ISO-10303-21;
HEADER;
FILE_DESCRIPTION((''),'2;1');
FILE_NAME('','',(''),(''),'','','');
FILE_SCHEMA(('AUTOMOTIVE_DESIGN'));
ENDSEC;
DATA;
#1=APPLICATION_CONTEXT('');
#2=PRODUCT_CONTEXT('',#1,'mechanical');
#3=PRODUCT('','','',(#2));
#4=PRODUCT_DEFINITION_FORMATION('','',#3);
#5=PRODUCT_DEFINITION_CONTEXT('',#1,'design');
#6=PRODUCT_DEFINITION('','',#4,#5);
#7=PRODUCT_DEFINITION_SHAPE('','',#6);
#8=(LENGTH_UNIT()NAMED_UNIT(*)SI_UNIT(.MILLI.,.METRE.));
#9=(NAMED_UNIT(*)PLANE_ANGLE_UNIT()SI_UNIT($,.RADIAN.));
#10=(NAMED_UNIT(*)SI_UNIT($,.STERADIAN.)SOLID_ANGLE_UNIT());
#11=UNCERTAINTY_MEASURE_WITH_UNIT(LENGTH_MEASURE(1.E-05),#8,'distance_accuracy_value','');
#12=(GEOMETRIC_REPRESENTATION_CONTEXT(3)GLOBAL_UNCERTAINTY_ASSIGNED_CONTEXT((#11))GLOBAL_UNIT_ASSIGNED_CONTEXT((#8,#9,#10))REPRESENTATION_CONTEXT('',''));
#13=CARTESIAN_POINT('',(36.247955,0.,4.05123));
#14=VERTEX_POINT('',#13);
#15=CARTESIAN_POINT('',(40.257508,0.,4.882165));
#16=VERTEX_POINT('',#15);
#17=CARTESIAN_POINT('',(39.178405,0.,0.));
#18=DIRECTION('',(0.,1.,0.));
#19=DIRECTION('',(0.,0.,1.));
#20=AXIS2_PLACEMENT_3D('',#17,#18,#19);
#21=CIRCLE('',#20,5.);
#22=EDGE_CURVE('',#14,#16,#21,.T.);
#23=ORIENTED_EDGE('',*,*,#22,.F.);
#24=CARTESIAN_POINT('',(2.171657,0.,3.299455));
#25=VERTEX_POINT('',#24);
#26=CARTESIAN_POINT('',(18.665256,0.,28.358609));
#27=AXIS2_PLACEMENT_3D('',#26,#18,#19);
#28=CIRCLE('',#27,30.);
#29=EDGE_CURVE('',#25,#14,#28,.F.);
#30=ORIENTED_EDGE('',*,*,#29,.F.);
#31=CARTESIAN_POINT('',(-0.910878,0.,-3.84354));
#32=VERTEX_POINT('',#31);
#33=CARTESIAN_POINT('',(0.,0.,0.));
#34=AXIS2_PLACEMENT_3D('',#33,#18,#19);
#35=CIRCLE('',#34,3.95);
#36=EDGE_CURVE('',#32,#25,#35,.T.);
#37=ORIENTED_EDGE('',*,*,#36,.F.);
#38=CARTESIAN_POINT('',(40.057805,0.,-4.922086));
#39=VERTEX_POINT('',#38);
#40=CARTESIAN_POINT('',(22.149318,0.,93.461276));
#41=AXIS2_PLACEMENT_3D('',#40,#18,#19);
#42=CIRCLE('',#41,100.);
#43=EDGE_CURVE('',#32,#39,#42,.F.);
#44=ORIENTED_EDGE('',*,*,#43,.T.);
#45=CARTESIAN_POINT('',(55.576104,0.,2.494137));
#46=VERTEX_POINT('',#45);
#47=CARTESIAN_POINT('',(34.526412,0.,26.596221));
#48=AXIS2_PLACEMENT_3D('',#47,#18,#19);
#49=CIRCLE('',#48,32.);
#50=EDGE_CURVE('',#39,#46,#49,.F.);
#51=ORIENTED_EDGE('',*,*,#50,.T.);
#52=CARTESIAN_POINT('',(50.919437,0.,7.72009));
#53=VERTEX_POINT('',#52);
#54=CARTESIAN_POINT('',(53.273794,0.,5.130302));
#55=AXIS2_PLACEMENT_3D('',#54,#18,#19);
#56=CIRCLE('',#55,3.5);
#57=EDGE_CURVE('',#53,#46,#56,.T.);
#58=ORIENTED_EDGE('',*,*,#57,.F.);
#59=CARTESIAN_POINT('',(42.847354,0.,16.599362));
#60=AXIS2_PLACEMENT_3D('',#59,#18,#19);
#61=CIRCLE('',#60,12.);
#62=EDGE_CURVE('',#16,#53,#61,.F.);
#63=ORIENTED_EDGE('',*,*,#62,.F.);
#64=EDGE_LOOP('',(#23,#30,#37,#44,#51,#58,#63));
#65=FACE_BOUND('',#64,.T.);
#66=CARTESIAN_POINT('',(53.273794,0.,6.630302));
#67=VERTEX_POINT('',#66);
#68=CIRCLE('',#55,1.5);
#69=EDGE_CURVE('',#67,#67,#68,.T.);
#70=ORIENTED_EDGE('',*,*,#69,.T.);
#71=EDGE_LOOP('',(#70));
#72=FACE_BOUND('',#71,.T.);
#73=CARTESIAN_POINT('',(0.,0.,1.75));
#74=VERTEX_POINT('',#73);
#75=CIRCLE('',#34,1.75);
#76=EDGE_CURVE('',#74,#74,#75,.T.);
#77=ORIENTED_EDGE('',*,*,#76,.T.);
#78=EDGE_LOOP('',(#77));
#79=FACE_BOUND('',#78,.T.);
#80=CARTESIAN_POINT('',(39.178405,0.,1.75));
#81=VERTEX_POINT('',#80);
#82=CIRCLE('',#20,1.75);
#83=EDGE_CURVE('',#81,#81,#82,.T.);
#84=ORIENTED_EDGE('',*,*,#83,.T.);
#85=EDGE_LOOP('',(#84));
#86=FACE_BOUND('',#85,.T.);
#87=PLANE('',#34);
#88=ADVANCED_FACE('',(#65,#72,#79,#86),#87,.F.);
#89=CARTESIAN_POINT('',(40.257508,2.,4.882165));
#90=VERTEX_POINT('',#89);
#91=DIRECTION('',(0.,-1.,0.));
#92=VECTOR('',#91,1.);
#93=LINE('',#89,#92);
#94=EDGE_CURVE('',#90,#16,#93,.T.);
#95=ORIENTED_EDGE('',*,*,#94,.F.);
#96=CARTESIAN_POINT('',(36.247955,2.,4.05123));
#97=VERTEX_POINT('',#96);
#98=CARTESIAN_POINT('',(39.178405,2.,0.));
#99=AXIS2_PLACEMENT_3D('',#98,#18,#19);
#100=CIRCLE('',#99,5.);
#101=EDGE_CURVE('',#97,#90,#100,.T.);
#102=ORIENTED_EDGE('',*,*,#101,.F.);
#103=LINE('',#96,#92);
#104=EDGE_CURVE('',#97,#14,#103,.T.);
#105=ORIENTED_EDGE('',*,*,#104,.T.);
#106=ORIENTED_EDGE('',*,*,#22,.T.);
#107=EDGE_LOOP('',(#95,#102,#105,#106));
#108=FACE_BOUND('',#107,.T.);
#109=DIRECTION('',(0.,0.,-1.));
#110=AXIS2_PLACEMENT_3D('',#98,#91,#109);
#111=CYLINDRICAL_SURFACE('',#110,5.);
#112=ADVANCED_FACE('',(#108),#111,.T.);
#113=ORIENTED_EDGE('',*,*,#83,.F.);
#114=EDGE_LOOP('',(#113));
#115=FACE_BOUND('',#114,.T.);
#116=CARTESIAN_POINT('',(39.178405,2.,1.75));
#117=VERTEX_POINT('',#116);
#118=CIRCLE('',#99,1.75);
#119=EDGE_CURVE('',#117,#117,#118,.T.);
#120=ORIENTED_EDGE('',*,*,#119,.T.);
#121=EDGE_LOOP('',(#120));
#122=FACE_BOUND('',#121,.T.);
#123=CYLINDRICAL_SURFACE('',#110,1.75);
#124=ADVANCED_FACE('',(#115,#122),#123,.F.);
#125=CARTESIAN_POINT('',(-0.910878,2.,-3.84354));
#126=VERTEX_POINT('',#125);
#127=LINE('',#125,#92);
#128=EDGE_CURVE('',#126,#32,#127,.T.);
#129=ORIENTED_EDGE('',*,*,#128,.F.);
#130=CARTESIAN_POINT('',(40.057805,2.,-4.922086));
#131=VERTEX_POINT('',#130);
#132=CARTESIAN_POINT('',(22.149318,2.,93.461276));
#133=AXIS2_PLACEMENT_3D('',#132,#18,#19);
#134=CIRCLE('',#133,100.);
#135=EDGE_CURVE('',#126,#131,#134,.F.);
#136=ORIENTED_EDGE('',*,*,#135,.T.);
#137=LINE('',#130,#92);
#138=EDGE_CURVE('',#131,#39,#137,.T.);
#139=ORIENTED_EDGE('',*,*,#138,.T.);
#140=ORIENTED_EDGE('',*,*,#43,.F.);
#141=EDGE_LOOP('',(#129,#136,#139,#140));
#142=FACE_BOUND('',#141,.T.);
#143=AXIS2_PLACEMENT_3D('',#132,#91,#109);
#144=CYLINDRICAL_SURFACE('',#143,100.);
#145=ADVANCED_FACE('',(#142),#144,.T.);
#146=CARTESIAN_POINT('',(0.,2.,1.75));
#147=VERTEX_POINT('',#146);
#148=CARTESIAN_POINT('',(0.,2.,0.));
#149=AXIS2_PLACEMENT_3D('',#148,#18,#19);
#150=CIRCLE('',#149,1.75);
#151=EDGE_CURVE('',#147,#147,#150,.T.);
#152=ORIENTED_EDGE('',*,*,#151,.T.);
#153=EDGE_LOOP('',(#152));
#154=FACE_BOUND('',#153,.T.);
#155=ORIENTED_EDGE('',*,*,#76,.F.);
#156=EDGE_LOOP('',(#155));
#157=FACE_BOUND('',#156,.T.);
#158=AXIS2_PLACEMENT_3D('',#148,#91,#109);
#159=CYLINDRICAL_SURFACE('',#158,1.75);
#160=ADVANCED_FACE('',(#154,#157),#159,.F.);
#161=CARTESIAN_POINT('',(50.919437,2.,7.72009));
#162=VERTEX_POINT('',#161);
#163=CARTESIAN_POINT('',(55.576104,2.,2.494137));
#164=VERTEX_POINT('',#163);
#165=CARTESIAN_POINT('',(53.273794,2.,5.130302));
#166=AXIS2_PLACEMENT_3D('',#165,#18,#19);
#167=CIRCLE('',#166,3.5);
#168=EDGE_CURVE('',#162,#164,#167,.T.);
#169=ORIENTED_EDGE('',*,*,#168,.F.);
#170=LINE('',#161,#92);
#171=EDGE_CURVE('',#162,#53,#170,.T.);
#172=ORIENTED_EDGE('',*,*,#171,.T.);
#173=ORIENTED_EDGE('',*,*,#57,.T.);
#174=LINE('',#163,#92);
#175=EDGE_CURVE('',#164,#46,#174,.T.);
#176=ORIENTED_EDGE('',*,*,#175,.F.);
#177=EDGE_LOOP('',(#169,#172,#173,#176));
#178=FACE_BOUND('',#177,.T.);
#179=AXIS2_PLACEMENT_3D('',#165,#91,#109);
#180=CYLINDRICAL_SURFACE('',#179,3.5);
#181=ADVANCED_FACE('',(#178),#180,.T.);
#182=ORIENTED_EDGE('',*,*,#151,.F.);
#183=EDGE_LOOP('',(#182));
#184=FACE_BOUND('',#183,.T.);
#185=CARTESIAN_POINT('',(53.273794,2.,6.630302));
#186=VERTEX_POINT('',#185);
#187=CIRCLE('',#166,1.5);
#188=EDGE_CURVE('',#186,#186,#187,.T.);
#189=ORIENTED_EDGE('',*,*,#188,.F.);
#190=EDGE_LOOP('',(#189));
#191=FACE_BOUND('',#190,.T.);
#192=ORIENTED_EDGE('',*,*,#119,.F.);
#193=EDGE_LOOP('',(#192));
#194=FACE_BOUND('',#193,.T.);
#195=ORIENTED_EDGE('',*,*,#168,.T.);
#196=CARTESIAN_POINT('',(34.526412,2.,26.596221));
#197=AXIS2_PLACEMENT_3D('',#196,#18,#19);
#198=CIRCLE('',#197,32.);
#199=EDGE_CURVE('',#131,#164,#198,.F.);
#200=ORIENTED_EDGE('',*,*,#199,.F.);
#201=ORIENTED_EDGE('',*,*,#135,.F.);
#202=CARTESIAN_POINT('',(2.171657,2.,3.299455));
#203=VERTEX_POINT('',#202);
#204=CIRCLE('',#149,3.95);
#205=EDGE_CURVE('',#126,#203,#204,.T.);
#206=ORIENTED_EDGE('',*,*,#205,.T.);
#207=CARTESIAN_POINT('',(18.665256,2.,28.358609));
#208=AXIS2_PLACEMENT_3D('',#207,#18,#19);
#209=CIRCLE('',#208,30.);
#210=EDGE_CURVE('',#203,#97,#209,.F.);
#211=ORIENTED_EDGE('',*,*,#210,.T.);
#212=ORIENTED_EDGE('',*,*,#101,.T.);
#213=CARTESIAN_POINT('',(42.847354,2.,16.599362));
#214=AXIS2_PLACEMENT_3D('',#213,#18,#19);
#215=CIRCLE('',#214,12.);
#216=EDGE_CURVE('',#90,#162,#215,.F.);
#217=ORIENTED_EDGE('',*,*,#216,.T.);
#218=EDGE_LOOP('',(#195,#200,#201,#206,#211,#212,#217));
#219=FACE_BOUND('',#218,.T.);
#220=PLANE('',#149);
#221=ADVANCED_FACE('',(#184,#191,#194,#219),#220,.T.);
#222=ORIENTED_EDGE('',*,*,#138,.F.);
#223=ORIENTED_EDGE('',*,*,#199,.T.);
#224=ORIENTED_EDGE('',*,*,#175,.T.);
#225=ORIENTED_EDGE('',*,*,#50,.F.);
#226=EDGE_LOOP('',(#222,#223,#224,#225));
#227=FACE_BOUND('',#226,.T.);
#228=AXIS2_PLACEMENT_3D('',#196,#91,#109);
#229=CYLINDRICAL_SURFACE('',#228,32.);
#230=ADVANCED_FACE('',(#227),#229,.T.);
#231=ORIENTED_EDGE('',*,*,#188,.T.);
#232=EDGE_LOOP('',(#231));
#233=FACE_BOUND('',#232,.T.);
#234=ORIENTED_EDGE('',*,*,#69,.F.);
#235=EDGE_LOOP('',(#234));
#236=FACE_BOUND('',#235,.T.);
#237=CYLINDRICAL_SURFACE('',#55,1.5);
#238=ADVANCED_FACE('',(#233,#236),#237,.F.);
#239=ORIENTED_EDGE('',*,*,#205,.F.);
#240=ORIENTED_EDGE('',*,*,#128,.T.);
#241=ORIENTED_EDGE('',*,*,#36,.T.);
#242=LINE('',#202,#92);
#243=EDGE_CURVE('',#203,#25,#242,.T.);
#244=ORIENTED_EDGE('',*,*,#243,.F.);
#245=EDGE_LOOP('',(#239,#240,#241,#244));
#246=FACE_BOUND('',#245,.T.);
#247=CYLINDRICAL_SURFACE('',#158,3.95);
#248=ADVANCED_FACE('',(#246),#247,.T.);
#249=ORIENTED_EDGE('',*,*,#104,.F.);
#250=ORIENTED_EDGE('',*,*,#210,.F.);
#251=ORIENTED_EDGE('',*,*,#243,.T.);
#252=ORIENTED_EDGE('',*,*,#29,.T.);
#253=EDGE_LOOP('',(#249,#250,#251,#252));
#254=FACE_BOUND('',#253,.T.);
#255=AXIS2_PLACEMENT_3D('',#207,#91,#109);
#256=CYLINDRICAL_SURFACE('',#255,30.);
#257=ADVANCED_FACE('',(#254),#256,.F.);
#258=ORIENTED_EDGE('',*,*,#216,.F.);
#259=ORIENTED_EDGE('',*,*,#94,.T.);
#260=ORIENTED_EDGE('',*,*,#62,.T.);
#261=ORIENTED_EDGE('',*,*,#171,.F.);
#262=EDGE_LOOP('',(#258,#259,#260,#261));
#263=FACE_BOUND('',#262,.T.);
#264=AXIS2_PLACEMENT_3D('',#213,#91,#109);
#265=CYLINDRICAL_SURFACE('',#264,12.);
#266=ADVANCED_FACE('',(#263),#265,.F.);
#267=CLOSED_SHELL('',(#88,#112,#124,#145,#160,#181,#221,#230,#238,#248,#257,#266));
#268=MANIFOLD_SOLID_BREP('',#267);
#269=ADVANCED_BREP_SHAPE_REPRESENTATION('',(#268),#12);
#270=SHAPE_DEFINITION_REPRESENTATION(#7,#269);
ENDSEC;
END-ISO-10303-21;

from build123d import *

# Parameters (mm, degrees)
SKETCH1_R           = 1.75
SKETCH1_R_2         = 3.5
BOSS_EXTRUDE3_DEPTH = 2
SKETCH3_R           = 1.5
CUT_EXTRUDE1_DEPTH  = 58.460820006


with BuildPart() as part:
    # Sketch1 → Boss-Extrude3 (new body)
    # profile 1 of 2: a face of its own
    with BuildSketch(Plane(origin=(0, 0, 0), x_dir=(1, 0, 0), z_dir=(0, 1, 0))):
        with BuildLine():
            ThreePointArc((40.05780493, 4.92208645), (19.51761867, 6.504088301), (-0.91087774, 3.843540262))
            ThreePointArc((-0.91087774, 3.843540262), (-3.626704772, -1.56509185), (2.171657179, -3.299455273))
            ThreePointArc((2.171657179, -3.299455273), (19.326940327, 1.634092765), (36.247955143, -4.051229892))
            ThreePointArc((36.247955143, -4.051229892), (38.163769521, -4.895969245), (40.257507506, -4.882165276))
            ThreePointArc((40.257507506, -4.882165276), (45.933967375, -5.003120525), (50.919436714, -7.720089844))
            ThreePointArc((50.919436714, -7.720089844), (50.66068815, -2.80185284), (55.57610439, -2.494136696))
            ThreePointArc((55.57610439, -2.494136696), (48.324550131, 2.276108307), (40.05780493, 4.92208645))
        make_face()
        with Locations(Location((0, 0, 0), (0, 0, 270))):
            Circle(SKETCH1_R, mode=Mode.SUBTRACT)
        with Locations(Location((39.178405, 0, 0), (0, 0, 270))):
            Circle(SKETCH1_R, mode=Mode.SUBTRACT)
    # profile 2 of 2: a face of its own
    with BuildSketch(Plane(origin=(0, 0, 0), x_dir=(1, 0, 0), z_dir=(0, 1, 0))):
        with Locations((53.273794312, -5.13030215)):
            Circle(SKETCH1_R_2)
    extrude(amount=BOSS_EXTRUDE3_DEPTH)

    # Sketch3 → Cut-Extrude1 (cut, through all)
    with BuildSketch(Plane(origin=(0, 2, 0), x_dir=(1, 0, 0), z_dir=(0, 1, 0))):
        with Locations(Location((53.273794312, -5.13030215, 0), (0, 0, 270))):
            Circle(SKETCH3_R)
    extrude(amount=-CUT_EXTRUDE1_DEPTH, mode=Mode.SUBTRACT)


solid = part.part
